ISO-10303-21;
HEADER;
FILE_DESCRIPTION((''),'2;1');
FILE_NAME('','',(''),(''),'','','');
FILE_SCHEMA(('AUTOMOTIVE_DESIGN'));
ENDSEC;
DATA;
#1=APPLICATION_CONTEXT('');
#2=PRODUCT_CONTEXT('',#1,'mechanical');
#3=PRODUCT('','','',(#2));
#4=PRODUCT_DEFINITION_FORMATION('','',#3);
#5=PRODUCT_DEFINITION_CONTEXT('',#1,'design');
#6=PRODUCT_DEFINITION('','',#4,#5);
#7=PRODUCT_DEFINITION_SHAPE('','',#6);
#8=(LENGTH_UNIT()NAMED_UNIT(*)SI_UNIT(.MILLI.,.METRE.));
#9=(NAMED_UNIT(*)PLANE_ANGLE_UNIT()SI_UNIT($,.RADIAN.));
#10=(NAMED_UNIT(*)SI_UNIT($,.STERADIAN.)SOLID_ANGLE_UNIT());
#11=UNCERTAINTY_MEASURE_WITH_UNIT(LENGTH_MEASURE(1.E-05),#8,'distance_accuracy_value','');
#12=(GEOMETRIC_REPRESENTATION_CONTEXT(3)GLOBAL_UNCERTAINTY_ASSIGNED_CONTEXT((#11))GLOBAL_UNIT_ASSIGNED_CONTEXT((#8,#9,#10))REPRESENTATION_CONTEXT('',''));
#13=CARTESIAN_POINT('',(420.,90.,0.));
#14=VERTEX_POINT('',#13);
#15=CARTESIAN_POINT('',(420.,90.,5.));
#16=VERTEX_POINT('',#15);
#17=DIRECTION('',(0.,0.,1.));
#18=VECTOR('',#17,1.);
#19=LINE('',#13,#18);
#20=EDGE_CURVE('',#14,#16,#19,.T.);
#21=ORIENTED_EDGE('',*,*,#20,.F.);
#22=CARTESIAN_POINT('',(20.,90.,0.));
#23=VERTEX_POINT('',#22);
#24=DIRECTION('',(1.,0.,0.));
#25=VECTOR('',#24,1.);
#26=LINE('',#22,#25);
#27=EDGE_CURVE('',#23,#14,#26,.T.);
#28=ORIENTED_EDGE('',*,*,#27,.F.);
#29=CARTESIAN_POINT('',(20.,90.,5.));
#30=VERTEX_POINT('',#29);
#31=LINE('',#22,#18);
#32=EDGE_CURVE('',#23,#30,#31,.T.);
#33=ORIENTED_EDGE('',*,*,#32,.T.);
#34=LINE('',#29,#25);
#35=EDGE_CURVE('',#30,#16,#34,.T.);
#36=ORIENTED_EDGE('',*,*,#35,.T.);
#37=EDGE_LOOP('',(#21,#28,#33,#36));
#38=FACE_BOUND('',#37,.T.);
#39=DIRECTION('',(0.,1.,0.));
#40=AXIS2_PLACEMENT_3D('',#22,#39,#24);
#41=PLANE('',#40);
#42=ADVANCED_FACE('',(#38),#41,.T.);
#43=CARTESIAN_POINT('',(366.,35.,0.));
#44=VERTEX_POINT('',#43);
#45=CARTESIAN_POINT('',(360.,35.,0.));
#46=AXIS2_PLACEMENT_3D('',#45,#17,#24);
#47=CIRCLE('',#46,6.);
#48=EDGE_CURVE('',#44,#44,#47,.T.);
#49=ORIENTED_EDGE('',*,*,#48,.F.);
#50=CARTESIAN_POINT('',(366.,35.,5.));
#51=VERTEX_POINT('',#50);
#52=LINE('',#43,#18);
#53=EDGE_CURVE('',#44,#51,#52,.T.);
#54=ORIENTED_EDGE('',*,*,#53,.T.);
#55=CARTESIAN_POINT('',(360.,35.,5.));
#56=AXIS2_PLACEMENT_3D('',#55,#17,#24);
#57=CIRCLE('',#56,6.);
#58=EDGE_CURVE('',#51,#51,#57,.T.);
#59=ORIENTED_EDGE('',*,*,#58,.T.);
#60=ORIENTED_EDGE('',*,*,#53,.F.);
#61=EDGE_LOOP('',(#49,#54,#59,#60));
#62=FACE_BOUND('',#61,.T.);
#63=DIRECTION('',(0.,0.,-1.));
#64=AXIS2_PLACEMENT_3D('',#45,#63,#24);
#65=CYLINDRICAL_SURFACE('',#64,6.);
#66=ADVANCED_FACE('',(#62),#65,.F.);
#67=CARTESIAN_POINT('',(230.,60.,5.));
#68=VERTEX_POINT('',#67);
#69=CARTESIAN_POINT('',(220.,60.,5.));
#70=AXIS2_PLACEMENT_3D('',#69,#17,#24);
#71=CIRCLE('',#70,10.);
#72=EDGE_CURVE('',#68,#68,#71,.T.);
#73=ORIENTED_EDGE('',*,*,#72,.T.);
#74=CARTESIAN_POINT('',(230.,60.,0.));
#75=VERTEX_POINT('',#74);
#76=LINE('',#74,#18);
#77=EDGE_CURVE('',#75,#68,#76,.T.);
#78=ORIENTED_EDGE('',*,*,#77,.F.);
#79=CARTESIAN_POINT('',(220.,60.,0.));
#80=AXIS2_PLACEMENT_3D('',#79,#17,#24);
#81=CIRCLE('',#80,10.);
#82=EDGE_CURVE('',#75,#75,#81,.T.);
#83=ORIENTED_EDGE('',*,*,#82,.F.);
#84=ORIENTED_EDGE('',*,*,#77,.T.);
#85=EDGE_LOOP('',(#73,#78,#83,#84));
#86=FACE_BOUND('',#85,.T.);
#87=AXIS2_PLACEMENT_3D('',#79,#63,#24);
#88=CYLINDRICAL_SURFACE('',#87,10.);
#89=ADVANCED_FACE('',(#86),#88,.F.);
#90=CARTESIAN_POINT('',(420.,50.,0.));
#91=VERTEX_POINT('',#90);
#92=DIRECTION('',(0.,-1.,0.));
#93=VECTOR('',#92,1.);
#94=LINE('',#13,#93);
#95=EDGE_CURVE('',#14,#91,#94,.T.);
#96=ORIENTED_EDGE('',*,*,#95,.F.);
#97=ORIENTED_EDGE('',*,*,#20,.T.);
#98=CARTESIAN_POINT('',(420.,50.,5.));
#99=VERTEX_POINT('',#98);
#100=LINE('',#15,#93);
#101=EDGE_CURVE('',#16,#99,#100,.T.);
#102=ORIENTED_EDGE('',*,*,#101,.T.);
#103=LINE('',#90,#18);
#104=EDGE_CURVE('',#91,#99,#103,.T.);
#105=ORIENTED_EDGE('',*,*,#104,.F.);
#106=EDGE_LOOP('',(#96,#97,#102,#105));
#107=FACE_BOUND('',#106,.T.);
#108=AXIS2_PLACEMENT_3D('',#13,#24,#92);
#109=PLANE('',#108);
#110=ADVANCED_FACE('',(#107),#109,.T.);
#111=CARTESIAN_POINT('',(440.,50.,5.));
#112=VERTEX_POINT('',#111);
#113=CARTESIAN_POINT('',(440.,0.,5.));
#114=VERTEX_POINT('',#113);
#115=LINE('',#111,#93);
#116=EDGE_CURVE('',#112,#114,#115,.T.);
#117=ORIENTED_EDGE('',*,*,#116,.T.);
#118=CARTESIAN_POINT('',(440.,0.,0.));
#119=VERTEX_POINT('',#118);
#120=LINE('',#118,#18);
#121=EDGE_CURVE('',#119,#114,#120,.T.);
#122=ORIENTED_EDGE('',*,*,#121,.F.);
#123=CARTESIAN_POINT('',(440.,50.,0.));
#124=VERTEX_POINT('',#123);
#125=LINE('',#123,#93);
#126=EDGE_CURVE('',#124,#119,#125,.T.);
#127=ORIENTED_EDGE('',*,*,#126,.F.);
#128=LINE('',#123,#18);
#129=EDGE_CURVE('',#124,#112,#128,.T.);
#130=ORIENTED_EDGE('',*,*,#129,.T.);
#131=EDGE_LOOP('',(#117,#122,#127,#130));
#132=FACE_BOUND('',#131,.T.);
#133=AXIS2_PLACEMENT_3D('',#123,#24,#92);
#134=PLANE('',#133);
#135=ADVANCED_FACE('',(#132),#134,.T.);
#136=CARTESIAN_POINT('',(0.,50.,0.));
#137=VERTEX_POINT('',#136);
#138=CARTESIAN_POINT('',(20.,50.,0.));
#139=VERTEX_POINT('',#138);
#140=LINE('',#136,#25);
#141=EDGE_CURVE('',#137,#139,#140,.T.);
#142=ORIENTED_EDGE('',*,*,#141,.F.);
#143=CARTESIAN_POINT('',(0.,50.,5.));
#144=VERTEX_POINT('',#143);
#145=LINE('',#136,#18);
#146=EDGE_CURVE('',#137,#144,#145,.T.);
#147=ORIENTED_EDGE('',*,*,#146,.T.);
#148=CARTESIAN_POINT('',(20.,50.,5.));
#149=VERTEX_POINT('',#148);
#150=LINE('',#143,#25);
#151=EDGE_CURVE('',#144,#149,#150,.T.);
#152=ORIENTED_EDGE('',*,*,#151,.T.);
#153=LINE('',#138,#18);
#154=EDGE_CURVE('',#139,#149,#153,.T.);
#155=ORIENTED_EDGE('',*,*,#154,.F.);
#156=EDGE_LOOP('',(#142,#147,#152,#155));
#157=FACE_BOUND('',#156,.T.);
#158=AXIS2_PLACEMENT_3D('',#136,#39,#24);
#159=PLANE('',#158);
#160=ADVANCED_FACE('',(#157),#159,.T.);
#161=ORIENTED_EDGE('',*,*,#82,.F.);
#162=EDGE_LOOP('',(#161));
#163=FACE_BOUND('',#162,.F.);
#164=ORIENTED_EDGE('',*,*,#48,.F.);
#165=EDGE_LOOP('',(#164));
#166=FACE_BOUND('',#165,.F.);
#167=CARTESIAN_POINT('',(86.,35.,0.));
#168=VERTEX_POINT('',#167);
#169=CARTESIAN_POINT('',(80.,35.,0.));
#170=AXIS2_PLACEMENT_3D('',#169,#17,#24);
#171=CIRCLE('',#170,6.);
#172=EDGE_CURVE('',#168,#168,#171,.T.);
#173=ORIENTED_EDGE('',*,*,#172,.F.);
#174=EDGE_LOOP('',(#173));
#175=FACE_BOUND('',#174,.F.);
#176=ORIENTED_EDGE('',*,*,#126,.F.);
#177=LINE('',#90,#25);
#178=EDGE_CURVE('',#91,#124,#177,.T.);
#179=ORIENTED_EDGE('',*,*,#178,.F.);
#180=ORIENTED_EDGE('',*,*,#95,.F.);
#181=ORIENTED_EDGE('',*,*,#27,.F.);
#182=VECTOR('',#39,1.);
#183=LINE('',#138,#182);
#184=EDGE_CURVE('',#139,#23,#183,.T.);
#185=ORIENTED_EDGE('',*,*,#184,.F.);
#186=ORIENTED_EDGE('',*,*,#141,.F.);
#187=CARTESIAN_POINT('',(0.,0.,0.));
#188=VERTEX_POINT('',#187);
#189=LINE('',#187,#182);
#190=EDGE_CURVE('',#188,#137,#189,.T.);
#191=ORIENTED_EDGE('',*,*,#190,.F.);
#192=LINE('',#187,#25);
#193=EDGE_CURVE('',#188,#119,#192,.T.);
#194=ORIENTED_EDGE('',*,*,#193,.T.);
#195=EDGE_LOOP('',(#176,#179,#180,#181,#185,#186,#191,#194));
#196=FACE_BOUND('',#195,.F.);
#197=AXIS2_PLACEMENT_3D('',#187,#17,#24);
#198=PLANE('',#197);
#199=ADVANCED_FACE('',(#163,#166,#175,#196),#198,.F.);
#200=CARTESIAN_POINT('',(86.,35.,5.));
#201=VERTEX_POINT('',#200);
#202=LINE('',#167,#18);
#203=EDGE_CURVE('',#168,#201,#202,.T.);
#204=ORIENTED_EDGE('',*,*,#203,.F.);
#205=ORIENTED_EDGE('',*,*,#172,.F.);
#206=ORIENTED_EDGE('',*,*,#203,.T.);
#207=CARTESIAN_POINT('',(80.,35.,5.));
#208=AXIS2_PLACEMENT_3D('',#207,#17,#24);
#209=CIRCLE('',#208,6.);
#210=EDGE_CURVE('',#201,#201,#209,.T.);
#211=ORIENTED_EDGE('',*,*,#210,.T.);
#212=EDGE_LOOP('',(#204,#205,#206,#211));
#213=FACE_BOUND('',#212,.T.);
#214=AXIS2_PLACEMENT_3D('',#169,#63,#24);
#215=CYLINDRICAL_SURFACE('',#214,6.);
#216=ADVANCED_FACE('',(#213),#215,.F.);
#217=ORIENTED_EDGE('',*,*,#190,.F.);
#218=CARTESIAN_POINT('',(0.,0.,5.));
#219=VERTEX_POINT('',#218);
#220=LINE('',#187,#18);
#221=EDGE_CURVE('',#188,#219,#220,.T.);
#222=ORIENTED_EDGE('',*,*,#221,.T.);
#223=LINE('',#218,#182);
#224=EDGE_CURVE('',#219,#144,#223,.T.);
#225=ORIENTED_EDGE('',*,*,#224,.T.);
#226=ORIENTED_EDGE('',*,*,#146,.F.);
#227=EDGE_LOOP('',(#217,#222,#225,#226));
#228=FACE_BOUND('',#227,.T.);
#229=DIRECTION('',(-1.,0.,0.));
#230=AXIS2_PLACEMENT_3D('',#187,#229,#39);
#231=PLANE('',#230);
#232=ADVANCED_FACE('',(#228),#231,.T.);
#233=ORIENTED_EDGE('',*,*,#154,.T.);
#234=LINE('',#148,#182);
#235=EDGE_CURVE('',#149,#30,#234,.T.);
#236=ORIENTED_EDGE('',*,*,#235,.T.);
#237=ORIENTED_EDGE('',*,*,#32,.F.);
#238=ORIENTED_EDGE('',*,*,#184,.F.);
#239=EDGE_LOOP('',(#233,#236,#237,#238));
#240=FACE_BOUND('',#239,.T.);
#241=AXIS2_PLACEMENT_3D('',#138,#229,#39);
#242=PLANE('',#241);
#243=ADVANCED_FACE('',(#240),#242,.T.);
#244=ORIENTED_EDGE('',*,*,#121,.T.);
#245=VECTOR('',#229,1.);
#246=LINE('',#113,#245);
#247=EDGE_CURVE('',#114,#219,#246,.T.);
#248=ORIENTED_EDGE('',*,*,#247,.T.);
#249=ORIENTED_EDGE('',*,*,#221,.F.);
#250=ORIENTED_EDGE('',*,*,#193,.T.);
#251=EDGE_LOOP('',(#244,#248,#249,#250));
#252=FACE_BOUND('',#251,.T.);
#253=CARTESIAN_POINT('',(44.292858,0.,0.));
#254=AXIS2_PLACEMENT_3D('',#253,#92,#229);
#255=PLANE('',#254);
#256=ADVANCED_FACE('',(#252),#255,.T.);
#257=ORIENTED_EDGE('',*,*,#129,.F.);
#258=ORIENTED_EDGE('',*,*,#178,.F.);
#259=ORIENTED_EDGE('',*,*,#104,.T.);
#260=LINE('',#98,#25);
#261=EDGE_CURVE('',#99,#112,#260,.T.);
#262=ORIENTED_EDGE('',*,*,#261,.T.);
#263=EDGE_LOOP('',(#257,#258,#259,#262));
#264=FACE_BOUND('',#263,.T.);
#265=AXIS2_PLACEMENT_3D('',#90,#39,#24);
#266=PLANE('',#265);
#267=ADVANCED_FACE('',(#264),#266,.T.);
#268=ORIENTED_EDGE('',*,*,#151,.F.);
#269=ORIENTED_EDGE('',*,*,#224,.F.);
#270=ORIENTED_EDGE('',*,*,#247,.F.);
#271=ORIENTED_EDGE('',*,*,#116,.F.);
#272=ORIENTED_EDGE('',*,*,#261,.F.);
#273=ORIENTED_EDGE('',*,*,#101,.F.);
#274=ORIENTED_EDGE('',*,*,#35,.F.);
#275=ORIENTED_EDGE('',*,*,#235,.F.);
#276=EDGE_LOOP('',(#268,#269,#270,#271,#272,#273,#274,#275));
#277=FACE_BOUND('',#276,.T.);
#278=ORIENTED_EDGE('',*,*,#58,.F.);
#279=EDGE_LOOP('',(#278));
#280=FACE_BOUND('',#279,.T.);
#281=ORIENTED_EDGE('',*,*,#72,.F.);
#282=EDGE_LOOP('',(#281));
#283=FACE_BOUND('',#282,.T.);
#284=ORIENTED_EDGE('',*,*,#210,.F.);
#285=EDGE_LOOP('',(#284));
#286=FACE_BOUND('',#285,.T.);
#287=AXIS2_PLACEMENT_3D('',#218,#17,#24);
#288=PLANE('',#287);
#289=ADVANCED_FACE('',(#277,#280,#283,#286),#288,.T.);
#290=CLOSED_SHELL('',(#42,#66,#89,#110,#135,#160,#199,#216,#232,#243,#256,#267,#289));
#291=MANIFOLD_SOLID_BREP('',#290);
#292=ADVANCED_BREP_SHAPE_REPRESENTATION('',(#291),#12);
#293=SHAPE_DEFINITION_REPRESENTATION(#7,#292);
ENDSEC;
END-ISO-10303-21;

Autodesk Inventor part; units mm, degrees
ref_plane "YZ Plane" through (0, 0, 0) normal (1, 0, 0) x (0, 1, 0)
ref_plane "XZ Plane" through (0, 0, 0) normal (0, 1, 0) x (-1, 0, 0)
ref_plane "XY Plane" through (0, 0, 0) normal (0, 0, 1) x (1, 0, 0)
sketch "Sketch1" plane through (0, 0, 0) normal (0, 0, 1) x (1, 0, 0)
  line L0 (0, 0) -> (0, 50)
  line L1 (0, 50) -> (20, 50)
  line L2 (20, 50) -> (20, 90)
  line L3 (20, 90) -> (420, 90)
  line L4 (420, 90) -> (420, 50)
  line L5 (420, 50) -> (440, 50)
  line L6 (440, 50) -> (440, 0)
  line L7 (440, 0) -> (0, 0)
  circle A0 centre (220, 60) radius 10
  circle A1 centre (80, 35) radius 6
  circle A2 centre (360, 35) radius 6
  circle A3 centre (80, 35) radius 50
  circle A4 centre (130, 35) radius 6
  circle A5 centre (310, 35) radius 6
  dimension "d1" = 50
  dimension "d2" = 20
  dimension "d3" = 40
  dimension "d4" = 400
  dimension "d5" = 40
  dimension "d6" = 20
  dimension "d7" = 20
  dimension "d8" = 12
  dimension "d9" = 12
  dimension "d10" = 80
  dimension "d11" = 80
  dimension "d12" = 35
  dimension "d13" = 35
  dimension "d14" = 30
  dimension "d17" = 100
  dimension "d18" = 12
  dimension "d19" = 12
  dimension "d20" = 130
  dimension "d21" = 130
  dimension "d22" = 35
  dimension "d23" = 35
extrude "Extrusion1" add sketch "Sketch1" along normal blind 5 contours L0 L1 L2 L3 L4 L5 L6 L7 A3 A4 | A3 A4 L7 | A4 A3 | A3 A4 | A5
properties part number "sUPORTE1"
